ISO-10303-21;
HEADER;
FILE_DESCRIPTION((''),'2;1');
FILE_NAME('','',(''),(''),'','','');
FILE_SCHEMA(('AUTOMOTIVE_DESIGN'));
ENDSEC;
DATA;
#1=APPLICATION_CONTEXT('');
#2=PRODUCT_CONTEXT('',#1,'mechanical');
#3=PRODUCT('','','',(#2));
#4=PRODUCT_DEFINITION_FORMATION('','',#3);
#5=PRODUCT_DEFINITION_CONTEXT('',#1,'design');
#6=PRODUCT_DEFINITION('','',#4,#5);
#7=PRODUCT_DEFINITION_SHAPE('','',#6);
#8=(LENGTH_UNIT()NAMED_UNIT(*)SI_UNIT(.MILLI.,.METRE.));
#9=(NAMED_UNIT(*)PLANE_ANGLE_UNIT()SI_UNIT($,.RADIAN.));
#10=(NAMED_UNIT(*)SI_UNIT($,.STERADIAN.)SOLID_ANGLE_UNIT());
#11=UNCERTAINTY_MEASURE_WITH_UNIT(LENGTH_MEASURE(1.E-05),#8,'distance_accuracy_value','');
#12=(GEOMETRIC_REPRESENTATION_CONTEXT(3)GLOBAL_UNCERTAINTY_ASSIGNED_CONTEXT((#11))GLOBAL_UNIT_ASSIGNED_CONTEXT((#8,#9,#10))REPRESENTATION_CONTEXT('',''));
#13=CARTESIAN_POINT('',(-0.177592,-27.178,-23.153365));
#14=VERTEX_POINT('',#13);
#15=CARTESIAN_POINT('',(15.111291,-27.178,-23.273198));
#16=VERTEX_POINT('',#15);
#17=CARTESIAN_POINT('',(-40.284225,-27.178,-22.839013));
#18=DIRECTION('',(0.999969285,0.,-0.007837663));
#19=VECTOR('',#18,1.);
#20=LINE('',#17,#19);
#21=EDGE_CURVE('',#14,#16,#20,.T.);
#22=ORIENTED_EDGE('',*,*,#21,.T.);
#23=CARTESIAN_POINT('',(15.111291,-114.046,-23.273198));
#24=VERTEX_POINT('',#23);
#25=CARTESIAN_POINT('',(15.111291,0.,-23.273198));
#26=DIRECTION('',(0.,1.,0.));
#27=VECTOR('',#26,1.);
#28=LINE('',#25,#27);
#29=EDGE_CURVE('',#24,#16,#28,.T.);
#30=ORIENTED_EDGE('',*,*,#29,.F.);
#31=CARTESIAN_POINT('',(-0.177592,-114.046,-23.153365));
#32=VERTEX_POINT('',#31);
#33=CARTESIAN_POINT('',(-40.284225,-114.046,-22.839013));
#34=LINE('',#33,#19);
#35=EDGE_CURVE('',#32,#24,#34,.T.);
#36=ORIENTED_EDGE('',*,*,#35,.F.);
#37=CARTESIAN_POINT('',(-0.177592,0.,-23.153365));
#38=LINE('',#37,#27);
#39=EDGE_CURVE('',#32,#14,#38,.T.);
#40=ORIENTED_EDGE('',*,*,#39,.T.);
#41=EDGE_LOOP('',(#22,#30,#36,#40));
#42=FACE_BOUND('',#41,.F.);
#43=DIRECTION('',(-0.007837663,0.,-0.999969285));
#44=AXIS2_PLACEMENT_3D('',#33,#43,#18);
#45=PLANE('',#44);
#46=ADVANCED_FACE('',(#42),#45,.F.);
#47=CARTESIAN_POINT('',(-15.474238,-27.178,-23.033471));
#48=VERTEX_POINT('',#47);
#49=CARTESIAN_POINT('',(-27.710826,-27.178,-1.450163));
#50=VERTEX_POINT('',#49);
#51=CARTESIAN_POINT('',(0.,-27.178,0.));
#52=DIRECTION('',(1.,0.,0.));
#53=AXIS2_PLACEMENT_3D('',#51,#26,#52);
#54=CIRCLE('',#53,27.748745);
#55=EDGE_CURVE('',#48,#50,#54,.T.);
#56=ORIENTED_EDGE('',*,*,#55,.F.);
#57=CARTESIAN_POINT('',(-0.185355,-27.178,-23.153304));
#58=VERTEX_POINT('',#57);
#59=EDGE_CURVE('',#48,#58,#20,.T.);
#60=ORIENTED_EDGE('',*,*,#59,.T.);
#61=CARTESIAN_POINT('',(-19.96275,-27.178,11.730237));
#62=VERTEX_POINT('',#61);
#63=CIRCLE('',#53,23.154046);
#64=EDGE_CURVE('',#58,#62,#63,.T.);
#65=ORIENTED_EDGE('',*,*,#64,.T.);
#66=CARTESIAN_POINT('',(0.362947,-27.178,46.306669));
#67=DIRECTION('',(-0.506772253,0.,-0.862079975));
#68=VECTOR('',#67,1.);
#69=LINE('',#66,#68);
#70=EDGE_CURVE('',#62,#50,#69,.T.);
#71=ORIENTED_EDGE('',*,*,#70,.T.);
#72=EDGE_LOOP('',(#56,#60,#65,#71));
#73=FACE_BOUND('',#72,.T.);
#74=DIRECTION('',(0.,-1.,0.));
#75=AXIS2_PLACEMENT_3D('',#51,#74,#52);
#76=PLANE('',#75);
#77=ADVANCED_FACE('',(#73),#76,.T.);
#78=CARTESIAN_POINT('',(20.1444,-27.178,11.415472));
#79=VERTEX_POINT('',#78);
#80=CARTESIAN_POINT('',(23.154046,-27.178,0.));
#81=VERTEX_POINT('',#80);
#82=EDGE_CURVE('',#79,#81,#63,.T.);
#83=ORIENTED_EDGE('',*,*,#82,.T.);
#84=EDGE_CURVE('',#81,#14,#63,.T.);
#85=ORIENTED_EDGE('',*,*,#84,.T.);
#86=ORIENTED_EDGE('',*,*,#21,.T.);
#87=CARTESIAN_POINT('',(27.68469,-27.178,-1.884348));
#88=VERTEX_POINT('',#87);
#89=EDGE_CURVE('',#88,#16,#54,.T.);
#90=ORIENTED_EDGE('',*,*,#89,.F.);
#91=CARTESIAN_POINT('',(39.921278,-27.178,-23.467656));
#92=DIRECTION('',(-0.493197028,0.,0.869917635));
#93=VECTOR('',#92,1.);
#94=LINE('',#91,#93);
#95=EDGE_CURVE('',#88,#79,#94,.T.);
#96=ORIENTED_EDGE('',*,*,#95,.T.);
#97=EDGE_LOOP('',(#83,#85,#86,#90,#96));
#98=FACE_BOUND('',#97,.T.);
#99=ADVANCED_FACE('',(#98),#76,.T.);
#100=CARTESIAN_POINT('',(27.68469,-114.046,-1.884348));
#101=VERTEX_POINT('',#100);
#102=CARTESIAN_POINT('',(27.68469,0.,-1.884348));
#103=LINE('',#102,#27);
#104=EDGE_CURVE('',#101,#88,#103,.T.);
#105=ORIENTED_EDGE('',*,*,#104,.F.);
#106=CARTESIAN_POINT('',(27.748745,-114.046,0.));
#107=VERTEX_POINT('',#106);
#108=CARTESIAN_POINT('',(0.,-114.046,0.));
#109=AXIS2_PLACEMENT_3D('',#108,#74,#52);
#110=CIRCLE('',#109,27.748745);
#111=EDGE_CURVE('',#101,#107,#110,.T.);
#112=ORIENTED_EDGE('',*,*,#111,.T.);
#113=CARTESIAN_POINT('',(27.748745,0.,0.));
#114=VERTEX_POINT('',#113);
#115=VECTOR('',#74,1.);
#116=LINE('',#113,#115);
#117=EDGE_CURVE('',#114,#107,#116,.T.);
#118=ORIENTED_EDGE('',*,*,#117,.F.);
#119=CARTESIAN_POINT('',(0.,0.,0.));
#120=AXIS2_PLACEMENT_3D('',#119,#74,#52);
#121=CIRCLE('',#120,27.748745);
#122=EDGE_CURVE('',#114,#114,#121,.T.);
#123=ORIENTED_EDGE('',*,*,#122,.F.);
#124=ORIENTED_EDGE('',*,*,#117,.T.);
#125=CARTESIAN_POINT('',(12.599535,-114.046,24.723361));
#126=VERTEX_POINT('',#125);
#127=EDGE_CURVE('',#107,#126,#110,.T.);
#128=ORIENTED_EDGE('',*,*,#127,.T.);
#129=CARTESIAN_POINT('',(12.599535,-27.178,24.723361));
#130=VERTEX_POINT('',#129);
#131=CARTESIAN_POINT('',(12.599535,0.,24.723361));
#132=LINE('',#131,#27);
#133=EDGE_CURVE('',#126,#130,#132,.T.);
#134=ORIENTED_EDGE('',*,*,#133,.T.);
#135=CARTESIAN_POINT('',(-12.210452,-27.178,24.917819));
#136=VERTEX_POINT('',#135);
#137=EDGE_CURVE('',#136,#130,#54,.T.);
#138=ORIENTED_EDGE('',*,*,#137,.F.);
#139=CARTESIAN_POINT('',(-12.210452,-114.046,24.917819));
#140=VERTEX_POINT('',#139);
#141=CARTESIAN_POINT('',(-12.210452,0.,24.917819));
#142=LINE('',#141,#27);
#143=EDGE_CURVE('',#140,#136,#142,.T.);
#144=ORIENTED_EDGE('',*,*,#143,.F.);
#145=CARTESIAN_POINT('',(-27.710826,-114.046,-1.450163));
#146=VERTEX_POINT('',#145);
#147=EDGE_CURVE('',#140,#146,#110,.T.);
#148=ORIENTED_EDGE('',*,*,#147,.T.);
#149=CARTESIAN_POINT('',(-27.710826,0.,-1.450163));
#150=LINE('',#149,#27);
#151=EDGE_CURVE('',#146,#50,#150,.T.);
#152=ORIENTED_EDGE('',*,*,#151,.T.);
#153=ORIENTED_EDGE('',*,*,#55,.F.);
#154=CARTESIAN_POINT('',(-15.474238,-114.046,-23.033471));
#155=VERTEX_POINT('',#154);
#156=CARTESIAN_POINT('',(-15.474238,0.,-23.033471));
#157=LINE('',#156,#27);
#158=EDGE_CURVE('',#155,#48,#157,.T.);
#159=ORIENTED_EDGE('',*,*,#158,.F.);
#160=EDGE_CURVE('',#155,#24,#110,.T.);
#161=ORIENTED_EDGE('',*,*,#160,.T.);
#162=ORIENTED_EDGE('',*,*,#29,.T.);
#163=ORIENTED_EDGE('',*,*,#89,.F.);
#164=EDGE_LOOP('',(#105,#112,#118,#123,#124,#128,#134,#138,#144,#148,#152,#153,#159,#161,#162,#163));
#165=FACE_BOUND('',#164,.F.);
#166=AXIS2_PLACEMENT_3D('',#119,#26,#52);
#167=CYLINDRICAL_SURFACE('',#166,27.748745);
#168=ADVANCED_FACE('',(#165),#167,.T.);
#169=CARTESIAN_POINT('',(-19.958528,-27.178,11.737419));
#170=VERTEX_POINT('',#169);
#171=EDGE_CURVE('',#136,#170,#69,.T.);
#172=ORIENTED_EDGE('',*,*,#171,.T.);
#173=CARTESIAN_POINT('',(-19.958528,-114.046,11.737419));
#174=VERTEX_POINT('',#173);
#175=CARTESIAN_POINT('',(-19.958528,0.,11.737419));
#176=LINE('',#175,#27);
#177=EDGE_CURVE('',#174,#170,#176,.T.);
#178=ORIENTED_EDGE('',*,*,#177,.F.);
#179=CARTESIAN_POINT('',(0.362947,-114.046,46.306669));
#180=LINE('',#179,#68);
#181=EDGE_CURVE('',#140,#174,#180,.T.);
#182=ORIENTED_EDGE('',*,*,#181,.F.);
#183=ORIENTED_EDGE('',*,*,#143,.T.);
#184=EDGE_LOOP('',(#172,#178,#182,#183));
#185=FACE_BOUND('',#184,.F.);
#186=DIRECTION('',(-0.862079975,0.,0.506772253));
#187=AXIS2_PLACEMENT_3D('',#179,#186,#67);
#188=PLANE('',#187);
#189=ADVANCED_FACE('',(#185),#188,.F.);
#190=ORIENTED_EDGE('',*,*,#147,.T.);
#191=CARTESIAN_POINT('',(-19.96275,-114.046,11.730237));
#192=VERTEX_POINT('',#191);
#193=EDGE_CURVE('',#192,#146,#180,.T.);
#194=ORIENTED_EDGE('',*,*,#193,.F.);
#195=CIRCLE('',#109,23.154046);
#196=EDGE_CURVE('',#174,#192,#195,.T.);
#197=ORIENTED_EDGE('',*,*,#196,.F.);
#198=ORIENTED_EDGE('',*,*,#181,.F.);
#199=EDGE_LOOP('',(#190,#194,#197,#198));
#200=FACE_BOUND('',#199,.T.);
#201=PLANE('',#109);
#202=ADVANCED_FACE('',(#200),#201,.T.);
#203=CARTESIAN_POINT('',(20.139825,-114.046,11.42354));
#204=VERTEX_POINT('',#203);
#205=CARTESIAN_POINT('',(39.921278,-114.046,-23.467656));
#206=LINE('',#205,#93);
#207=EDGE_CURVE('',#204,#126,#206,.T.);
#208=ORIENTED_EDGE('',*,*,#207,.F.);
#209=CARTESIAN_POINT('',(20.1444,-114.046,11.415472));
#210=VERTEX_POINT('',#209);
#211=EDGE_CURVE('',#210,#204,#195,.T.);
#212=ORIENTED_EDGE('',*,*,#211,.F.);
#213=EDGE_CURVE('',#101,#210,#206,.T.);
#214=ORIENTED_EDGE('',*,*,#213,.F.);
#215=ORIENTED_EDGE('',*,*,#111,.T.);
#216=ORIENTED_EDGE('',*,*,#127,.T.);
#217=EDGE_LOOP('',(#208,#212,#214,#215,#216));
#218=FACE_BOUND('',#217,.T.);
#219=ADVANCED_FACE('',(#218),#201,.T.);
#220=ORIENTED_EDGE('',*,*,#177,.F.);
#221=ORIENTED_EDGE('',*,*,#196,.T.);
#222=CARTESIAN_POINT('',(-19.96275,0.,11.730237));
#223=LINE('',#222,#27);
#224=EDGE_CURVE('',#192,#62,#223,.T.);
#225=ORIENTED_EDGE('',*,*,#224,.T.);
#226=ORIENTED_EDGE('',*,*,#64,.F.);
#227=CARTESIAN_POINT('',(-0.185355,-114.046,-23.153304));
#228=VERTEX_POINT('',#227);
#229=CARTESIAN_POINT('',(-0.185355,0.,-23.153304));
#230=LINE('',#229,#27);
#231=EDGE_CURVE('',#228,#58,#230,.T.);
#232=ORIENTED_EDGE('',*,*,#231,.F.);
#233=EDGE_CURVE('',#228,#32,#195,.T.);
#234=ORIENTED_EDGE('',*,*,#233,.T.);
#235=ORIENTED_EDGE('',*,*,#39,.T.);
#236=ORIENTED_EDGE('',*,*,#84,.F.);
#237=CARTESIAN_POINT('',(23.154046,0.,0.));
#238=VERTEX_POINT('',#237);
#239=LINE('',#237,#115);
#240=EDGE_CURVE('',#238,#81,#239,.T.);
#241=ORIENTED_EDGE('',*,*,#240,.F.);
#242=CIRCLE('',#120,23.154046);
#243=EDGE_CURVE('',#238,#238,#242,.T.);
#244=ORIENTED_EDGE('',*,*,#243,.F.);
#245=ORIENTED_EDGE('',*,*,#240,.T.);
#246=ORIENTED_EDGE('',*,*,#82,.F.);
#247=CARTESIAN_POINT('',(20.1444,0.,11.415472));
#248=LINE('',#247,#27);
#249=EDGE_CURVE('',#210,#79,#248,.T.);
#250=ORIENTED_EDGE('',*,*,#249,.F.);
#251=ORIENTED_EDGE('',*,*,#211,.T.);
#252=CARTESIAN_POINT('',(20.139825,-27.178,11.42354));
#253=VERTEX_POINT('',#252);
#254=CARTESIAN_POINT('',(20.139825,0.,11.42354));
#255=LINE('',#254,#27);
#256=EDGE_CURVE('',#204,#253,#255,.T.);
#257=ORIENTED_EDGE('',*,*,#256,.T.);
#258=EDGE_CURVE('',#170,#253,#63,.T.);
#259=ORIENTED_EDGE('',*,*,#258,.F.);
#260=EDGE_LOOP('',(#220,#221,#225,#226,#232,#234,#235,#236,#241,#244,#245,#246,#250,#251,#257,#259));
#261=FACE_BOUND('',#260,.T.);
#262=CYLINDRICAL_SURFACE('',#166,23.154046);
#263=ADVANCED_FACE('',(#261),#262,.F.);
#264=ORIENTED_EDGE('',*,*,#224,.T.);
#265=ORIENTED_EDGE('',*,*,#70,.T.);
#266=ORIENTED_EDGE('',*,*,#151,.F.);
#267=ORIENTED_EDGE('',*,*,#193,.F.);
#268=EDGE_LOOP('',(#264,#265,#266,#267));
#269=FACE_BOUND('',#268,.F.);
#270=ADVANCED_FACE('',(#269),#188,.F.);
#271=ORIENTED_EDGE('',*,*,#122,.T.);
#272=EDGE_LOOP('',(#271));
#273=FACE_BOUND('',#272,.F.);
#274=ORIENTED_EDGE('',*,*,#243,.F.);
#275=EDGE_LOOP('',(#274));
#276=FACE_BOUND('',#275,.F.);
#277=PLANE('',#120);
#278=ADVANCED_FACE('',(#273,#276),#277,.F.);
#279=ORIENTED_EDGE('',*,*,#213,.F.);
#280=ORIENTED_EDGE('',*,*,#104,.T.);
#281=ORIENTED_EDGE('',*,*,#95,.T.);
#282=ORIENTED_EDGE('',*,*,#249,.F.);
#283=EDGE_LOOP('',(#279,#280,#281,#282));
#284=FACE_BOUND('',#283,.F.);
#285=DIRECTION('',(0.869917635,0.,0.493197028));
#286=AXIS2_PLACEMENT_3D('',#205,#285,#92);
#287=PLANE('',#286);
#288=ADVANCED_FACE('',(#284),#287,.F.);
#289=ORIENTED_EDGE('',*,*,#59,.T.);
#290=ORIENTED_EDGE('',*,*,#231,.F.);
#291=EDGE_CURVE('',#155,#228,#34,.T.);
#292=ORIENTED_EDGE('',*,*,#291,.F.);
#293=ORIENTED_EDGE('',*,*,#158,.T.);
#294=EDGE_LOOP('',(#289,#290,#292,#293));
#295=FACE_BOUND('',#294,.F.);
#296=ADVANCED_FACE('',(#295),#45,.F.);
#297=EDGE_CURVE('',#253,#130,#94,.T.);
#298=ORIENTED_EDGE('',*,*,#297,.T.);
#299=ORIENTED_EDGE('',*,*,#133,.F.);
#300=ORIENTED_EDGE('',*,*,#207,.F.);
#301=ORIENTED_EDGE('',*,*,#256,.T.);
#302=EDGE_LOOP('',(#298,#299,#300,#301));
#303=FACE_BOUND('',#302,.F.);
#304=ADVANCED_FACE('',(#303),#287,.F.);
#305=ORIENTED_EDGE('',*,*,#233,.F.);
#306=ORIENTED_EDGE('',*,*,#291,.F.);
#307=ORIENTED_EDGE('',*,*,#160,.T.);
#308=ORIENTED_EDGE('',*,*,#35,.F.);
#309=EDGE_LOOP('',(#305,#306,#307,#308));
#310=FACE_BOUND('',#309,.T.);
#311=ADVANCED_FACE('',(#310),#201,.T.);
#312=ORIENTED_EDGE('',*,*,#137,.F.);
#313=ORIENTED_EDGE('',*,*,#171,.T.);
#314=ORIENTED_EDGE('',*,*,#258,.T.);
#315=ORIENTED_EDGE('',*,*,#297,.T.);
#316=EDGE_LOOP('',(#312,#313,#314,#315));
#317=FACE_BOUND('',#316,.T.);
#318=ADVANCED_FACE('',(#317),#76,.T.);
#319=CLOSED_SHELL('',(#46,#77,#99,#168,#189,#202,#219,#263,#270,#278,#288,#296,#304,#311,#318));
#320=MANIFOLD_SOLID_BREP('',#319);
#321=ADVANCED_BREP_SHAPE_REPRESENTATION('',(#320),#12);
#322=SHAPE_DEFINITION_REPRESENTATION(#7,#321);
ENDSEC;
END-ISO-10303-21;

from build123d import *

# Parameters (mm, degrees)
F0_R     = 27.748745
F0_R_2   = 23.154046
F1_DEPTH = 114.046
F3_DEPTH = 86.868


with BuildPart() as f1:
    # F0 (on Front) → F1 (new body)
    with BuildSketch(Plane.XZ):
        Circle(F0_R)
        Circle(F0_R_2, mode=Mode.SUBTRACT)
    extrude(amount=F1_DEPTH)

    # F2 (on face) → F3 (cut)
    with BuildSketch(Plane.XZ.offset(114.046)):
        Polygon((39.921278, -23.467656), (0.362947, 46.306669), (-40.284225, -22.839013), align=None)
    extrude(amount=-F3_DEPTH, mode=Mode.SUBTRACT)


solid = f1.part
